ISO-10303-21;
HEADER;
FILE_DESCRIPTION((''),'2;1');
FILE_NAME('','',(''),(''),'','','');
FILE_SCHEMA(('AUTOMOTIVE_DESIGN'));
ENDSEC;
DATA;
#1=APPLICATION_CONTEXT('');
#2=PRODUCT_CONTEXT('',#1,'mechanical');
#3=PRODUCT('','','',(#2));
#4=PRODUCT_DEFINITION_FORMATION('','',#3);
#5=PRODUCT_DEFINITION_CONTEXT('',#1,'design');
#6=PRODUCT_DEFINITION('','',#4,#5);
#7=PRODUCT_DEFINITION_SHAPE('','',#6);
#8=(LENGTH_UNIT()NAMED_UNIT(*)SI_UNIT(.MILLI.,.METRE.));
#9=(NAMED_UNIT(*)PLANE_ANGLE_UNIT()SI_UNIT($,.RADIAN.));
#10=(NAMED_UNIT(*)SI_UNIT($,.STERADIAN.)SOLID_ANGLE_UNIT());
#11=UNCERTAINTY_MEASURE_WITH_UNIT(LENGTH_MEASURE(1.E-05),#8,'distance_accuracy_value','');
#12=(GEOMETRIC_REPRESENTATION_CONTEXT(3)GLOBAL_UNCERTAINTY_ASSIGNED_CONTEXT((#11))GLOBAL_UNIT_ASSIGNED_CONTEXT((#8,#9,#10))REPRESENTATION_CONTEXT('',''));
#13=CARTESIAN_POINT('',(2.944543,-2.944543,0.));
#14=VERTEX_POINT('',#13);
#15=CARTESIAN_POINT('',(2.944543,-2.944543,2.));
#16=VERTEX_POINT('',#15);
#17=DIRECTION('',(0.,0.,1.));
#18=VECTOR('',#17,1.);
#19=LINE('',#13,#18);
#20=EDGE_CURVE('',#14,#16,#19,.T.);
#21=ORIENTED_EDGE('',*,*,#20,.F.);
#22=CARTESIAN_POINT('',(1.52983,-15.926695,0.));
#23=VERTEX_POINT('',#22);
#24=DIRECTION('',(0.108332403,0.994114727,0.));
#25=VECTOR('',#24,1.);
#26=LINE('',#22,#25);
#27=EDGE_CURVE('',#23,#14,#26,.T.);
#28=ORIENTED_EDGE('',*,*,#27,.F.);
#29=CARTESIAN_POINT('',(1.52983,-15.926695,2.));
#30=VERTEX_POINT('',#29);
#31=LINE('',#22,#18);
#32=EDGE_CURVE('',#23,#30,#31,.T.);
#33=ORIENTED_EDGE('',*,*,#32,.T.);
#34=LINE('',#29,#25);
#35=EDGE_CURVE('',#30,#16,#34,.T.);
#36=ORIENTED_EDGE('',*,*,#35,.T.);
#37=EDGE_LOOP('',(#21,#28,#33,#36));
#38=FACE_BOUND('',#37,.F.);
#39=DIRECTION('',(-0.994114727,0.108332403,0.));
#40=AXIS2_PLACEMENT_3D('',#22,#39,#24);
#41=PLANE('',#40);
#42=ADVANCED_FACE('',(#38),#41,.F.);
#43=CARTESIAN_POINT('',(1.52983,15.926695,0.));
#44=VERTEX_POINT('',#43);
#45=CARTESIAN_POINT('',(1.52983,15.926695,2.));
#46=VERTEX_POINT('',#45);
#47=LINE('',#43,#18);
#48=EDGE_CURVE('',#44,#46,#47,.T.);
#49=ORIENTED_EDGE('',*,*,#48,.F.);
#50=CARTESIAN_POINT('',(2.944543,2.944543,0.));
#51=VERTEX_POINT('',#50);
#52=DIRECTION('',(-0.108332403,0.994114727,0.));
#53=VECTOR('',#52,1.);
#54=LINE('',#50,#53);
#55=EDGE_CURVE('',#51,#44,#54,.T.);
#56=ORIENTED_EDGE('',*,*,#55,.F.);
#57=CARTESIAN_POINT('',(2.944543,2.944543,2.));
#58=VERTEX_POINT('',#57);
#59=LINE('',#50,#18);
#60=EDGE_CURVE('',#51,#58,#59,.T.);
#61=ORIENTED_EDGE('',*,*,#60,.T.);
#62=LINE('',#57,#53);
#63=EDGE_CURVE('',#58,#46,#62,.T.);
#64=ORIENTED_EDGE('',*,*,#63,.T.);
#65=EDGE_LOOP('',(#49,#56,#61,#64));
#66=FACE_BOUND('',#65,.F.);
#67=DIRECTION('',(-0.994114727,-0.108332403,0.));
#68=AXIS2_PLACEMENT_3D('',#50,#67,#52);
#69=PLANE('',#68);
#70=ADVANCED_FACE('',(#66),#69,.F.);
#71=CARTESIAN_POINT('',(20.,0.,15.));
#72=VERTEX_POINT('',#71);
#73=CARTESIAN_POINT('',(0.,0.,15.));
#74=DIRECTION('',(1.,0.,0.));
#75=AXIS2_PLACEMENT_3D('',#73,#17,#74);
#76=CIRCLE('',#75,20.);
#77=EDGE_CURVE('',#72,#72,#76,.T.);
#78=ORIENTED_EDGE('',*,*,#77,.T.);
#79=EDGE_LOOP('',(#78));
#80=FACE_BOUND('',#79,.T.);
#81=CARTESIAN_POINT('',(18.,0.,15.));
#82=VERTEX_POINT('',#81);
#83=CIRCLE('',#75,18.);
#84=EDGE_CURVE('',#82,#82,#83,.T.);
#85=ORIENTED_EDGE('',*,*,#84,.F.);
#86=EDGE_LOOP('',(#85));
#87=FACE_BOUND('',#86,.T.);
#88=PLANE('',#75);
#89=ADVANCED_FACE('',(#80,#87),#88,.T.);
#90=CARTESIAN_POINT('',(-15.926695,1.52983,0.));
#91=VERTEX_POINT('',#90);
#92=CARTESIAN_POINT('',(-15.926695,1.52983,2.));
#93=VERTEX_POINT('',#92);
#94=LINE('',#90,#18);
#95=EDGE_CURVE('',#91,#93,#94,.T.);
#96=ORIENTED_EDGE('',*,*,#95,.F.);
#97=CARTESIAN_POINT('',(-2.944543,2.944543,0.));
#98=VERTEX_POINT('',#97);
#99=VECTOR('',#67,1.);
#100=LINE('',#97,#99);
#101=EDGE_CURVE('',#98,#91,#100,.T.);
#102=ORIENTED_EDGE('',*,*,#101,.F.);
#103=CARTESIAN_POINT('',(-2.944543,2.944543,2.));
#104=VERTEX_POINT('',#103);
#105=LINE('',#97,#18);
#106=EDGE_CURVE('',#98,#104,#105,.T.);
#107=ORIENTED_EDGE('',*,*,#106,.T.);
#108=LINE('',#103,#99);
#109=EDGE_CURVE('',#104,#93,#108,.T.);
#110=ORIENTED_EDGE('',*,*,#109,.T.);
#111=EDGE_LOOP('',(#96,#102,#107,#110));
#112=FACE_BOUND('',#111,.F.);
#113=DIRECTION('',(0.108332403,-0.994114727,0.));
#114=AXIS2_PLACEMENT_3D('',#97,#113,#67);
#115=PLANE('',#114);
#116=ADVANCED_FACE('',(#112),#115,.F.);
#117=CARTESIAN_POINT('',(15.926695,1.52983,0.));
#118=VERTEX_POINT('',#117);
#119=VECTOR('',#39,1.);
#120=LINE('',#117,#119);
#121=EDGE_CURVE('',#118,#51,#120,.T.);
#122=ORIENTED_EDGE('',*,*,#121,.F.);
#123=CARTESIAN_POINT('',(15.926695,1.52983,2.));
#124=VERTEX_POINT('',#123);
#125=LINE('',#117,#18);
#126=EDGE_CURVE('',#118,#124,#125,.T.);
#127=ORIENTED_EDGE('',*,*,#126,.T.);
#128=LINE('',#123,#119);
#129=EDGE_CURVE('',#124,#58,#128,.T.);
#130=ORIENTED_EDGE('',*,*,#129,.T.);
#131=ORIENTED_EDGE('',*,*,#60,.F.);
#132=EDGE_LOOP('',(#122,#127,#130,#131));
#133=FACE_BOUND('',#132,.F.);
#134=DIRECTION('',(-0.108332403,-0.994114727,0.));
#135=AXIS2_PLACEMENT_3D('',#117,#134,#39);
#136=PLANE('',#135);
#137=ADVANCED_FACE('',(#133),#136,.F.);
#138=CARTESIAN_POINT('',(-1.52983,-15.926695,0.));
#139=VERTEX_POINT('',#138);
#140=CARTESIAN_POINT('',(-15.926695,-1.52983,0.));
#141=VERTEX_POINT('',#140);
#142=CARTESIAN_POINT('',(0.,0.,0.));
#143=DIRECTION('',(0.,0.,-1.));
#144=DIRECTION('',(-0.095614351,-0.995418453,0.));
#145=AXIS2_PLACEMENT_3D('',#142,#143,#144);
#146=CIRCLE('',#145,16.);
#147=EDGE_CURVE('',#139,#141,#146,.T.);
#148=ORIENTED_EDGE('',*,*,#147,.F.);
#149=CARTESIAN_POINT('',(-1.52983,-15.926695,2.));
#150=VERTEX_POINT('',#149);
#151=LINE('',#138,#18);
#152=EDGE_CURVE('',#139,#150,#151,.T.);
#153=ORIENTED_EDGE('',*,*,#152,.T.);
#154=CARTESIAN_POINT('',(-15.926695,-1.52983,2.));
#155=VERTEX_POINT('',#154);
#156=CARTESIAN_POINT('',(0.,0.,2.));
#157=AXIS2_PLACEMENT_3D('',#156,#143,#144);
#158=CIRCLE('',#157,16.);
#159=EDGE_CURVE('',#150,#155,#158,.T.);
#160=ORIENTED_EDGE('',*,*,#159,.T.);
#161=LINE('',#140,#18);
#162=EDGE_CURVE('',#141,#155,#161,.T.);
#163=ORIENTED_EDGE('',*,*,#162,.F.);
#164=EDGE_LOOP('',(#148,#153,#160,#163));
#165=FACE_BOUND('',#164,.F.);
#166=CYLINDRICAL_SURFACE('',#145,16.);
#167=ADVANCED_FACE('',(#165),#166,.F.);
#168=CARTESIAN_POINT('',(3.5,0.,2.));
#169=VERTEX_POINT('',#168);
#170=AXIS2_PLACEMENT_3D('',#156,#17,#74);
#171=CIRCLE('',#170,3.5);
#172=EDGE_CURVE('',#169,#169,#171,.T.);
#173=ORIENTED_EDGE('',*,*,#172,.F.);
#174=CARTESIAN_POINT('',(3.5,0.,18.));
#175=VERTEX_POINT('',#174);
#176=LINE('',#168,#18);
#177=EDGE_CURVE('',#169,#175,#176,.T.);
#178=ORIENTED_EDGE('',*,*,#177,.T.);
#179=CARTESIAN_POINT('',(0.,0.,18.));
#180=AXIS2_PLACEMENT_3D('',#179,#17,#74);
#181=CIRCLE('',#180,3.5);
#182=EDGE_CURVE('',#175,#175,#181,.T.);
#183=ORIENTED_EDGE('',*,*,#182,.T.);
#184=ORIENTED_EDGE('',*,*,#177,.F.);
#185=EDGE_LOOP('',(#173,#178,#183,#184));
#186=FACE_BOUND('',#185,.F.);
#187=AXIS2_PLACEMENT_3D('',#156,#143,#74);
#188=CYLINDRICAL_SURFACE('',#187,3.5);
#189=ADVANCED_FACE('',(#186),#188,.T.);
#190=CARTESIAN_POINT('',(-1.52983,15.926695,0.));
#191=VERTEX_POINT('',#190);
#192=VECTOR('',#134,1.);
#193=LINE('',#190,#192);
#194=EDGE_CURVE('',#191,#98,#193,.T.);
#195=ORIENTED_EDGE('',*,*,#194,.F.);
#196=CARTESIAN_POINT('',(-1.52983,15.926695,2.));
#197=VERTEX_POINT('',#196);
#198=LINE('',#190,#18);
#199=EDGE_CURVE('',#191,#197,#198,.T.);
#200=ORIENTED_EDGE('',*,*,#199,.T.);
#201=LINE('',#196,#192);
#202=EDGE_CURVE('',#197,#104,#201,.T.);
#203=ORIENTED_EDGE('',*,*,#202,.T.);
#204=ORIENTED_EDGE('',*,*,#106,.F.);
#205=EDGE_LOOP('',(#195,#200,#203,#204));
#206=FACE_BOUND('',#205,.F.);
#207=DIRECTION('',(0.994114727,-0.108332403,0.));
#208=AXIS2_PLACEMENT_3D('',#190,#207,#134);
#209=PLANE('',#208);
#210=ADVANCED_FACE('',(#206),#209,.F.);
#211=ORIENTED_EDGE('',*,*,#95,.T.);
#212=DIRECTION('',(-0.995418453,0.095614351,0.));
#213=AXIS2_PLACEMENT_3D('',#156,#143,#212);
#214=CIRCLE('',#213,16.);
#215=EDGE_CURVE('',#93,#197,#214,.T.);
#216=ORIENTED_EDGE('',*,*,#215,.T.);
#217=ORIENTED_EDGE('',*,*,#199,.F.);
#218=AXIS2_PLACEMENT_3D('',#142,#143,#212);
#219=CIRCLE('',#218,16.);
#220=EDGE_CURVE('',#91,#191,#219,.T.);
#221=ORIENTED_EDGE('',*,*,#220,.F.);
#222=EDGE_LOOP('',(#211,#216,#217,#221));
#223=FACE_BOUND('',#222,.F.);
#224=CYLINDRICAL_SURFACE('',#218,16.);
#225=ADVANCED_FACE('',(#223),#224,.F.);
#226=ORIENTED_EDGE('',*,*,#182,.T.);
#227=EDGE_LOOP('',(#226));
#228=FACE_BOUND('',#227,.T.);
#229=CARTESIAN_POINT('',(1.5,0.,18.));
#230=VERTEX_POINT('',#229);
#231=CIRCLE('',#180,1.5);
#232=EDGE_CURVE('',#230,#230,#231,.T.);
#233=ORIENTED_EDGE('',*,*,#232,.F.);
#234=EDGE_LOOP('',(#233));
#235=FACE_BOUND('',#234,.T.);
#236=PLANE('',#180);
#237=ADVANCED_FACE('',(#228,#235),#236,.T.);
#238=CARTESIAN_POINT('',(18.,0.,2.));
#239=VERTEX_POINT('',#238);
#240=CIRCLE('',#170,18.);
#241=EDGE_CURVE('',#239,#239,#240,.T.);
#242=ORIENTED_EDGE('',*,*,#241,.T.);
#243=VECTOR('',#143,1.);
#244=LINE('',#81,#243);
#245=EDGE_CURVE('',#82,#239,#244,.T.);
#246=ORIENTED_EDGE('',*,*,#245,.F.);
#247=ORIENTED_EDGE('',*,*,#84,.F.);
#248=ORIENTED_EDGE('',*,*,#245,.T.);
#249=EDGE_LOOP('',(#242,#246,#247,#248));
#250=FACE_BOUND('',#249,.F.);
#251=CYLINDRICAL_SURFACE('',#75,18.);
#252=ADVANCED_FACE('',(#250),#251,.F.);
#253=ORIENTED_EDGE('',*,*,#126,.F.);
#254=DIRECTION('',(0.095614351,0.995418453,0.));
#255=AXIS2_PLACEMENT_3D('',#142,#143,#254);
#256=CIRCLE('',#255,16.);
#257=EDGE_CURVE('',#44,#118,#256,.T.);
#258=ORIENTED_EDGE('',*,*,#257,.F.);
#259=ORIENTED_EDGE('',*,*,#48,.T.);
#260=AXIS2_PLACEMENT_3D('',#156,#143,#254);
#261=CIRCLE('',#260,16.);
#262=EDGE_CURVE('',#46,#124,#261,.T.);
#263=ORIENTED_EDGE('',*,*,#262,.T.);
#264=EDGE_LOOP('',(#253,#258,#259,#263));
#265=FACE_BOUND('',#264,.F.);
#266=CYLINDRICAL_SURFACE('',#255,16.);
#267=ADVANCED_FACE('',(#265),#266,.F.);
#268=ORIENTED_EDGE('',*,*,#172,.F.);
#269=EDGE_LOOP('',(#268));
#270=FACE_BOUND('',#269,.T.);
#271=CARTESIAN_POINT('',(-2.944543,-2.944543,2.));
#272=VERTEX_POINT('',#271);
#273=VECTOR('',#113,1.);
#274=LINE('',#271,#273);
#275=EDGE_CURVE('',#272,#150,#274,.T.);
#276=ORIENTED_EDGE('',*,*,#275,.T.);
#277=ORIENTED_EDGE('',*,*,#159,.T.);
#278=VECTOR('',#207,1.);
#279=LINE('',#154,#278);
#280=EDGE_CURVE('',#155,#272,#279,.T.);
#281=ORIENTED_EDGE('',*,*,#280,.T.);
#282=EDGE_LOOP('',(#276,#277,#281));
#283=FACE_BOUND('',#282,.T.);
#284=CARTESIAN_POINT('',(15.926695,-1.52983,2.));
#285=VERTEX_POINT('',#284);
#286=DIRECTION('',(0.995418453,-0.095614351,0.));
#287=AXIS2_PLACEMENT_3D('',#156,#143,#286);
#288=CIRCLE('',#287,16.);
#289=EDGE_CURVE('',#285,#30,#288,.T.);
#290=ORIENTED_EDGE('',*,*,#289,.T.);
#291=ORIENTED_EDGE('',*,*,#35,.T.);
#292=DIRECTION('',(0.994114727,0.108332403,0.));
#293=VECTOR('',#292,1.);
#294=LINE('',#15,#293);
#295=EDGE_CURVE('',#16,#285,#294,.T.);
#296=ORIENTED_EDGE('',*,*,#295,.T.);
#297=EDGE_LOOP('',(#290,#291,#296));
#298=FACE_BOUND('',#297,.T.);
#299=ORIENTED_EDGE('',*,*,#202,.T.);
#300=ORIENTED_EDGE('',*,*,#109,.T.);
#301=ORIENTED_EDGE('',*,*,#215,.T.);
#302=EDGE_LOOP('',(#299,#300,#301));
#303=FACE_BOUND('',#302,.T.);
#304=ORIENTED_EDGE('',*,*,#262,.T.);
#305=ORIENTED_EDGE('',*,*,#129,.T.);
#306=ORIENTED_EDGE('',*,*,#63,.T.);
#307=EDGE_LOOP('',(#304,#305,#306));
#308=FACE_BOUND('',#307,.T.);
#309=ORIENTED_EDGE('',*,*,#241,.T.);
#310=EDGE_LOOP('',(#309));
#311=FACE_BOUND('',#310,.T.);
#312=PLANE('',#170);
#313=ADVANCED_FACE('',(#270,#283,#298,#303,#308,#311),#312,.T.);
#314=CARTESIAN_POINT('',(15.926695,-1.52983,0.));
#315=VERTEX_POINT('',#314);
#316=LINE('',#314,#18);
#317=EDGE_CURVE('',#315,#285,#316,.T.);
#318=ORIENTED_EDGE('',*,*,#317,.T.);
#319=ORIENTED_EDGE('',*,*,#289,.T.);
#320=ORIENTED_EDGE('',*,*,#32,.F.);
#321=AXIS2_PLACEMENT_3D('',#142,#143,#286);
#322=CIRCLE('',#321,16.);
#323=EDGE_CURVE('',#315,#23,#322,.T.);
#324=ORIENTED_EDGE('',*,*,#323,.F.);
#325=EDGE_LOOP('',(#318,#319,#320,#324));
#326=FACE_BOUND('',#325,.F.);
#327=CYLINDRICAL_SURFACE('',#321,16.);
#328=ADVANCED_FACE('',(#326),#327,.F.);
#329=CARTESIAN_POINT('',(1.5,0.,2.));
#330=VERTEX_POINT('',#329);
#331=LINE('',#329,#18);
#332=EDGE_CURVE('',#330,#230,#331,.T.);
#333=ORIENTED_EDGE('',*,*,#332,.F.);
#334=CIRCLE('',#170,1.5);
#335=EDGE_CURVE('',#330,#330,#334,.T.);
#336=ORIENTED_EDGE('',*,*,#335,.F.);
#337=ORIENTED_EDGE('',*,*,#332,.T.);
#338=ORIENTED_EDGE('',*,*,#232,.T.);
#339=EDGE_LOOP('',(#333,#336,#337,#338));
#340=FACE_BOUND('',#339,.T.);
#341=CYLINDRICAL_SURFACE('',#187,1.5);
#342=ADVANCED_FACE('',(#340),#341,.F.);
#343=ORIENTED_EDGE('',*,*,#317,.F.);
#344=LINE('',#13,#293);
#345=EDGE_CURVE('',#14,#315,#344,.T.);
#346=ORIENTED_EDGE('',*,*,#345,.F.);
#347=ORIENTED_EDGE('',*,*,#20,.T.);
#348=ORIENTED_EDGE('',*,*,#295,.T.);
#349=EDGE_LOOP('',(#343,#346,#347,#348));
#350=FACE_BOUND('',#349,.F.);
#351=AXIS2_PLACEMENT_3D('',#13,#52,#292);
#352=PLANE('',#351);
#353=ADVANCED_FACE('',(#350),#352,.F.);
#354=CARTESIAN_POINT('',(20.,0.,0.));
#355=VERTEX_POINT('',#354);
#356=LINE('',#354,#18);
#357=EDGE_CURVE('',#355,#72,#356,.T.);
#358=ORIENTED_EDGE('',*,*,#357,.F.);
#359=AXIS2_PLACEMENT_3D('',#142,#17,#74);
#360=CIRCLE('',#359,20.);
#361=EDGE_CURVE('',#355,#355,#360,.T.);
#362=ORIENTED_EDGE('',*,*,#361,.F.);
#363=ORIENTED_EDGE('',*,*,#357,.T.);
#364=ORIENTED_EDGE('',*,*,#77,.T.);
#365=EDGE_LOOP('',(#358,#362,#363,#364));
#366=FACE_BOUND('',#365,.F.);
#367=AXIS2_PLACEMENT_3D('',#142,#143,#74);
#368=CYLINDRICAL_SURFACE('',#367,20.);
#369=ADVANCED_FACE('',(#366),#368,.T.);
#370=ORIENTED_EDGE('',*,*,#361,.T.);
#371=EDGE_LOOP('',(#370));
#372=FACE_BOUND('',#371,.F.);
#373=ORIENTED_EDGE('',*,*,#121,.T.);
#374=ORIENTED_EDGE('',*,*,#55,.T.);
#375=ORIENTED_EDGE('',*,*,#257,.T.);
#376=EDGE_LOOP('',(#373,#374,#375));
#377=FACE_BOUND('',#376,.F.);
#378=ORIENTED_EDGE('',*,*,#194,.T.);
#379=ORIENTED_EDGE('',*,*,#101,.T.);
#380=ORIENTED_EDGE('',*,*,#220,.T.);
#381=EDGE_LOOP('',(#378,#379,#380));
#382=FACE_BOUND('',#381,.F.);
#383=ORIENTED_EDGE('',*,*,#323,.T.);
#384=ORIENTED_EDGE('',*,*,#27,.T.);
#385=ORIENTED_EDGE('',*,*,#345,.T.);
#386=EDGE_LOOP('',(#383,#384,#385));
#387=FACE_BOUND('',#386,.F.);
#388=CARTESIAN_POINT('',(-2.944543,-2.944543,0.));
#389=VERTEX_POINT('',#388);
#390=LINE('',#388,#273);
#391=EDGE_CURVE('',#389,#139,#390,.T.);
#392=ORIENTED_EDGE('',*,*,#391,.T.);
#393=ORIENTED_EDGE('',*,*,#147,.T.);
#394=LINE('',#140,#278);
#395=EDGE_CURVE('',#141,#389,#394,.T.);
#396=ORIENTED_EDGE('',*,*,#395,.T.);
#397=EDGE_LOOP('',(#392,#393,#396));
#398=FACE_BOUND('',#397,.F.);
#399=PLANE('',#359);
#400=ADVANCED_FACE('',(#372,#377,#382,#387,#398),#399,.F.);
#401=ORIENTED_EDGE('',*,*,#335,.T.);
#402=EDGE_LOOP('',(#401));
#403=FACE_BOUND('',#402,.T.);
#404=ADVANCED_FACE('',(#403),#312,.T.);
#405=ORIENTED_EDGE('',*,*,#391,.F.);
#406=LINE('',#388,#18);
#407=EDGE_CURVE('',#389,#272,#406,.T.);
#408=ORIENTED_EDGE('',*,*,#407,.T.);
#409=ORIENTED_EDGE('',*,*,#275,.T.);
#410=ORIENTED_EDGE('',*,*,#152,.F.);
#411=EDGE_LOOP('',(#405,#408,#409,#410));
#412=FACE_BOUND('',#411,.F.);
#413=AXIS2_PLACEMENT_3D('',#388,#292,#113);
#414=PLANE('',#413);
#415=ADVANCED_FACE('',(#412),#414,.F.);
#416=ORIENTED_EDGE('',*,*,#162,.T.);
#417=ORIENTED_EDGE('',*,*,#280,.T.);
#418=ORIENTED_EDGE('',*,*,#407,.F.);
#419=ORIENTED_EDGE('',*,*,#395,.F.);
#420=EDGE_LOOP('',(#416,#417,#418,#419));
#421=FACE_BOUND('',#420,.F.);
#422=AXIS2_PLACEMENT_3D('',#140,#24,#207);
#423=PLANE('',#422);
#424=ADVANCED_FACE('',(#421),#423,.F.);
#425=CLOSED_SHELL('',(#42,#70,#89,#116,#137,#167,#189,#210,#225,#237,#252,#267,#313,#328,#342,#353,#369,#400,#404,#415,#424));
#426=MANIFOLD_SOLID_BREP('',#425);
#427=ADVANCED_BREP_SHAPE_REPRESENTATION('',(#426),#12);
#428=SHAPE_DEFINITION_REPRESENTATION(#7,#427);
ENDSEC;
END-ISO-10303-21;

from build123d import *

# Parameters (mm, degrees)
F0_R     = 20
F1_DEPTH = 15
F2_R     = 18
F3_DEPTH = 13
F4_R     = 3.5
F4_R_2   = 1.5
F5_DEPTH = 16
F7_DEPTH = 2


with BuildPart() as f1:
    # F0 (on Top) → F1 (new body)
    with BuildSketch(Plane.XY):
        Circle(F0_R)
    extrude(amount=F1_DEPTH)

    # F2 (on face) → F3 (cut)
    with BuildSketch(Plane.XY.offset(15)):
        Circle(F2_R)
    extrude(amount=-F3_DEPTH, mode=Mode.SUBTRACT)

    # F4 (on face) → F5 (join)
    with BuildSketch(Plane.XY.offset(2)):
        Circle(F4_R)
        Circle(F4_R_2, mode=Mode.SUBTRACT)
    extrude(amount=F5_DEPTH)

    # F6 (on face) → F7 (cut)
    with BuildSketch(Plane(origin=(0, 0, 0), x_dir=(1, 0, 0), z_dir=(0, 0, -1))):
        with BuildLine():
            Line((-15.926695243, 1.5298296101), (-2.9445433001, 2.9445433001))
            Line((-2.9445433001, 2.9445433001), (-1.5298296101, 15.926695243))
            ThreePointArc((-1.5298296101, 15.926695243), (-11.313708499, 11.313708499), (-15.926695243, 1.5298296101))
        make_face()
        with BuildLine():
            Line((-1.5298296101, -15.926695243), (-2.9445433001, -2.9445433001))
            Line((-2.9445433001, -2.9445433001), (-15.926695243, -1.5298296101))
            ThreePointArc((-15.926695243, -1.5298296101), (-11.313708499, -11.313708499), (-1.5298296101, -15.926695243))
        make_face()
        with BuildLine():
            Line((15.926695243, -1.5298296101), (2.9445433001, -2.9445433001))
            Line((2.9445433001, -2.9445433001), (1.5298296101, -15.926695243))
            ThreePointArc((1.5298296101, -15.926695243), (11.313708499, -11.313708499), (15.926695243, -1.5298296101))
        make_face()
        with BuildLine():
            Line((1.5298296101, 15.926695243), (2.9445433001, 2.9445433001))
            Line((2.9445433001, 2.9445433001), (15.926695243, 1.5298296101))
            ThreePointArc((15.926695243, 1.5298296101), (11.313708499, 11.313708499), (1.5298296101, 15.926695243))
        make_face()
    extrude(amount=-F7_DEPTH, mode=Mode.SUBTRACT)


solid = f1.part
